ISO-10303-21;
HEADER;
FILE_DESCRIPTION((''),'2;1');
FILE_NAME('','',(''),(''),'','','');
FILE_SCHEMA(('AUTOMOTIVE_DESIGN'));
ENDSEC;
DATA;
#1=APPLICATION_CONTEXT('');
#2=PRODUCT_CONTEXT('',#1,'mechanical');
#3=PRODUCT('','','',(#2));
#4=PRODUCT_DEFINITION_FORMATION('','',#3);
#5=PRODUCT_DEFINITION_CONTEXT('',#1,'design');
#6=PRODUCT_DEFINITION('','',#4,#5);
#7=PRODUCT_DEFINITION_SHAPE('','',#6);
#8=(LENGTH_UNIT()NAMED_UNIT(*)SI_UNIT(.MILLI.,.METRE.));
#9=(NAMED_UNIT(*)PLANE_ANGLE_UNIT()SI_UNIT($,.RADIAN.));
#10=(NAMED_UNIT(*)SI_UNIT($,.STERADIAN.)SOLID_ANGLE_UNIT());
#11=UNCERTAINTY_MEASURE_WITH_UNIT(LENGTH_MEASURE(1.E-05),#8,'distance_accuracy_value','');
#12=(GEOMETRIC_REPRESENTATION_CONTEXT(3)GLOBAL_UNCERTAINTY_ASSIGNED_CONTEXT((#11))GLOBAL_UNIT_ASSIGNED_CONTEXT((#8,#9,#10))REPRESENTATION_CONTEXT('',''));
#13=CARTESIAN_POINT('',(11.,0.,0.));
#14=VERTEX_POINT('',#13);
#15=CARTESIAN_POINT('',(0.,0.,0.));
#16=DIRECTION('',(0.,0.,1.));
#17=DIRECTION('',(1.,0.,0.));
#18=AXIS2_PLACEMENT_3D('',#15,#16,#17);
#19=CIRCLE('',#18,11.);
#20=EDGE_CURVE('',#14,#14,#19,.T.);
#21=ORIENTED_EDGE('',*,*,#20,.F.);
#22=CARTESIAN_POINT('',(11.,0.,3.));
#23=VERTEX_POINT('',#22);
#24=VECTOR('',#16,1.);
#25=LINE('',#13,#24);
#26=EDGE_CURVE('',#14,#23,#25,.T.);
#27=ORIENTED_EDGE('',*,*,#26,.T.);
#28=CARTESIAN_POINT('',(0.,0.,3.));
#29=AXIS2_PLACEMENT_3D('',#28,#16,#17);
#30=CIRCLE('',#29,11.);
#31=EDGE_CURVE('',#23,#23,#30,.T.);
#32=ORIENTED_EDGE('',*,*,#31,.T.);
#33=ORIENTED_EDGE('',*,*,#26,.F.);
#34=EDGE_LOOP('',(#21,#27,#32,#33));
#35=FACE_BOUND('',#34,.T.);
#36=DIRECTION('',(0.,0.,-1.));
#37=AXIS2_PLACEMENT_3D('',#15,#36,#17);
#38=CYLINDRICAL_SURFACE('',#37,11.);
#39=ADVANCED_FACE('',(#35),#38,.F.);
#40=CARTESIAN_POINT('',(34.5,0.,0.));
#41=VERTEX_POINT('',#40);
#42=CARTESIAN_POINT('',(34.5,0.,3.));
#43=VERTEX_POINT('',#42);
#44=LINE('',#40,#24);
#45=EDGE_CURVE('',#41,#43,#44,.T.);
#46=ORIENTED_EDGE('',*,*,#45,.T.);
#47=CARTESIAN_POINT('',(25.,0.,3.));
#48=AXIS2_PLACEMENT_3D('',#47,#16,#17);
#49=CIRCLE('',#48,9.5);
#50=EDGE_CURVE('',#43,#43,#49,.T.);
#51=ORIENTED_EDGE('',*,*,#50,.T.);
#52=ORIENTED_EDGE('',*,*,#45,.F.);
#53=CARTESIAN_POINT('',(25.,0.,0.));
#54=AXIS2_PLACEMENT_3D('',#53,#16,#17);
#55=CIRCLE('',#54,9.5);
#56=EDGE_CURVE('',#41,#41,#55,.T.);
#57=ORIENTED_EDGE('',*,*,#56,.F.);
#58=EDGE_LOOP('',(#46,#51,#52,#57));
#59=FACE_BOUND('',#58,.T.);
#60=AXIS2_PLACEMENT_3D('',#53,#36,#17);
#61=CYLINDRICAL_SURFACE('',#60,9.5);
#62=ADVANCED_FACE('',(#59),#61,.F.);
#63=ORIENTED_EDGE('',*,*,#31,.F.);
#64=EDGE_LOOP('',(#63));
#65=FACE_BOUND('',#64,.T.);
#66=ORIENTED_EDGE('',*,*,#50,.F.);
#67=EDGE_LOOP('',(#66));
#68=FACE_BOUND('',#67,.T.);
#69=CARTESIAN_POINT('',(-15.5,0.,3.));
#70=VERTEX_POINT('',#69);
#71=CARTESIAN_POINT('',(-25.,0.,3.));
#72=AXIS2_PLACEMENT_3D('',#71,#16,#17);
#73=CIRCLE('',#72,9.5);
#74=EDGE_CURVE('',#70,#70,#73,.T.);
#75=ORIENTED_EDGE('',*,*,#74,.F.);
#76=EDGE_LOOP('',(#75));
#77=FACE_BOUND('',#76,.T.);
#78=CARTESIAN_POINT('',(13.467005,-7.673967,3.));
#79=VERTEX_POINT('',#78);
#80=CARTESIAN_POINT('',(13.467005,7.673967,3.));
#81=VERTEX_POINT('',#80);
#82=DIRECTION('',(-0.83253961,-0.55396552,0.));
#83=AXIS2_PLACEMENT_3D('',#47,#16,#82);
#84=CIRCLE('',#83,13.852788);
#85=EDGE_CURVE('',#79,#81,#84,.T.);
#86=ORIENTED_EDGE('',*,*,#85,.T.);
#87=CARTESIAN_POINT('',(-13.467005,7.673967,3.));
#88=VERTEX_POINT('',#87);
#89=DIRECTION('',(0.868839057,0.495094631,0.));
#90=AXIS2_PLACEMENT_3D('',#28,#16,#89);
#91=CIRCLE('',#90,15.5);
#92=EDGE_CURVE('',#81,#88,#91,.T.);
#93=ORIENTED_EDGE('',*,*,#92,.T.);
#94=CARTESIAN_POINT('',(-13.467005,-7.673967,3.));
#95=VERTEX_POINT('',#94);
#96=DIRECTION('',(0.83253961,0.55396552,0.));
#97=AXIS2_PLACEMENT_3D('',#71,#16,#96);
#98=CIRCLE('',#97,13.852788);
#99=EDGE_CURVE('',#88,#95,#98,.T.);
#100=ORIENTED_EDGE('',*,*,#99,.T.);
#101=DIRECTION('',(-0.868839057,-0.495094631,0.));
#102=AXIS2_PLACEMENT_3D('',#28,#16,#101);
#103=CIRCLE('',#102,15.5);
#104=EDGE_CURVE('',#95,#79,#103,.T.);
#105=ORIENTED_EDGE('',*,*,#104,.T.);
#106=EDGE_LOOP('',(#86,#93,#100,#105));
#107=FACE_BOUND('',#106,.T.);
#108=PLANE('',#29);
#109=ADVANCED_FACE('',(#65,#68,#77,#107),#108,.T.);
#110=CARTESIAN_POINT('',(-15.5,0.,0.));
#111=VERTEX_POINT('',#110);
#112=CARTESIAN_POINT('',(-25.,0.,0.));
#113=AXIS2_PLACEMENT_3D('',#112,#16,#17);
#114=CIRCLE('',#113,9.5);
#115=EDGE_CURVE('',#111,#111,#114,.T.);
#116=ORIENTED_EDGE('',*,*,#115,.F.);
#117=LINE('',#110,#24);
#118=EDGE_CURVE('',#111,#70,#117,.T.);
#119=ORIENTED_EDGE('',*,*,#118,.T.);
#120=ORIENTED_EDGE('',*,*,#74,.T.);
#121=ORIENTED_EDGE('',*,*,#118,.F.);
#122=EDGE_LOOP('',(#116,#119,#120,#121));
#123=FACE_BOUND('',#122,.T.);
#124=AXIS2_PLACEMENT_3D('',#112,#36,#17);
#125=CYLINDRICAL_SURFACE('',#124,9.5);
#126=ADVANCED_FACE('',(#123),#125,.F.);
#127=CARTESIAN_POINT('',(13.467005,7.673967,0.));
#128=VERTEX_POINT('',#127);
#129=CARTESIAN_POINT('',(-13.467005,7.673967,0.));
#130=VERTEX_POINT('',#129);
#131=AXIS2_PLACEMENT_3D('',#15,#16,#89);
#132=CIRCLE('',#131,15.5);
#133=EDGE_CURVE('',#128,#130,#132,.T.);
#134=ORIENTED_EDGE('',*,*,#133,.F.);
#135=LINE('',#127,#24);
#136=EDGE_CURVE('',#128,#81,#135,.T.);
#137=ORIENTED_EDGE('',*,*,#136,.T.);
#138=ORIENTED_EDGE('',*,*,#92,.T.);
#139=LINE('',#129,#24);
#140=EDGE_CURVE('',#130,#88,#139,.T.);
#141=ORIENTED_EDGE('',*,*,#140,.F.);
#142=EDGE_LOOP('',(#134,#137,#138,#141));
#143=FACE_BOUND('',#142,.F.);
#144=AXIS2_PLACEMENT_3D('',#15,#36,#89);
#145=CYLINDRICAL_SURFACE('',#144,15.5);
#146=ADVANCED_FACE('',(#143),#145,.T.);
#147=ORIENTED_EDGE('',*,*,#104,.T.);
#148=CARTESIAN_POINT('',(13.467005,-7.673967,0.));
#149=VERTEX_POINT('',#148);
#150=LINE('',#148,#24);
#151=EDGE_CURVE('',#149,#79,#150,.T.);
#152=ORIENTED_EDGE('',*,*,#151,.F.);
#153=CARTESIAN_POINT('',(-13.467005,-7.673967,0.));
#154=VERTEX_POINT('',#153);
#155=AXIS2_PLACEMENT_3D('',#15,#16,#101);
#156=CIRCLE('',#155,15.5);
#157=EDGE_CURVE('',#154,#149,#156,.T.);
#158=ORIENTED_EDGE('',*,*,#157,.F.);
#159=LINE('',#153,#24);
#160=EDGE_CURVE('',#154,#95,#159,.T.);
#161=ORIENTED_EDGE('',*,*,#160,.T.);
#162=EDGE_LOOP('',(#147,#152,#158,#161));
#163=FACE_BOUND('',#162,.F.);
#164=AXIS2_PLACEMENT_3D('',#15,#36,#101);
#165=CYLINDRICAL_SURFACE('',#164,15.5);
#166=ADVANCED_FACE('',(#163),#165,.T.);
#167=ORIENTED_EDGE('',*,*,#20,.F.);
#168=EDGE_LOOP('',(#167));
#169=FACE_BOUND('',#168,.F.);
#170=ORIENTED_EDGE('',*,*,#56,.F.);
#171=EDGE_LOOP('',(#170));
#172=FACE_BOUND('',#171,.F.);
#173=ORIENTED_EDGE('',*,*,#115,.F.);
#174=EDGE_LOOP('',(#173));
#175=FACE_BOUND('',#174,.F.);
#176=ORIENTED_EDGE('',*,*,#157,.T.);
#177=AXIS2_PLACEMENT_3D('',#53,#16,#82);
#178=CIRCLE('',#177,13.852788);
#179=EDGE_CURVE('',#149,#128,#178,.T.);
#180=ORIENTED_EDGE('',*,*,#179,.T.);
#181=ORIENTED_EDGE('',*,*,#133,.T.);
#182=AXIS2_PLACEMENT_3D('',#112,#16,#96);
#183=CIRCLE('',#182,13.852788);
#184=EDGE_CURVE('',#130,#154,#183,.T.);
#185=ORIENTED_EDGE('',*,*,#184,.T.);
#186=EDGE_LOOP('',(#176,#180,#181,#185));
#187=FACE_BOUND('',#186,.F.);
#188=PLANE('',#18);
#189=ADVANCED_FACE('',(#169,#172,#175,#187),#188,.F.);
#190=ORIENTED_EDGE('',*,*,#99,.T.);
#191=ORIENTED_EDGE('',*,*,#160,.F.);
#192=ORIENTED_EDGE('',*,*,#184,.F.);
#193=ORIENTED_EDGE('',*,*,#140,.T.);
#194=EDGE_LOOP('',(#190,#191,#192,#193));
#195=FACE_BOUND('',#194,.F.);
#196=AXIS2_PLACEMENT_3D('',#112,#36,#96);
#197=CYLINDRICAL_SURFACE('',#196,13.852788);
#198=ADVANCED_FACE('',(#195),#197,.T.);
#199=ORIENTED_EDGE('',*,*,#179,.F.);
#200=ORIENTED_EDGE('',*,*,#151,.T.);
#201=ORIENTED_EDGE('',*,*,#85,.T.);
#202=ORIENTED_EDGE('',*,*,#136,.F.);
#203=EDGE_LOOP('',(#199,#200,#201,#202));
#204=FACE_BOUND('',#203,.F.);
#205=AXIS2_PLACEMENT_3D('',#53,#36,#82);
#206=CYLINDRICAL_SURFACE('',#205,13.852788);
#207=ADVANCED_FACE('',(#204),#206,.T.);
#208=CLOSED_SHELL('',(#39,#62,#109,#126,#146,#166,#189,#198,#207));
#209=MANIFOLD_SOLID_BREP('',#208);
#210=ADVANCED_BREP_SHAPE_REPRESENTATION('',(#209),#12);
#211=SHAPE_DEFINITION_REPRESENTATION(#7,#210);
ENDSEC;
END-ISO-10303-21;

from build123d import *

# Parameters (mm, degrees)
F0_R     = 9.5
F0_R_2   = 11
F1_DEPTH = 3


with BuildPart() as f1:
    # F0 (on Top) → F1 (new body)
    with BuildSketch(Plane.XY):
        with BuildLine():
            ThreePointArc((-13.467005, 7.673967), (-38.852788, 0), (-13.467005, -7.673967))
            ThreePointArc((-13.467005, -7.673967), (0, -15.5), (13.467005, -7.673967))
            ThreePointArc((13.467005, -7.673967), (38.852788, 0), (13.467005, 7.673967))
            ThreePointArc((13.467005, 7.673967), (0, 15.5), (-13.467005, 7.673967))
        make_face()
        with Locations((-25, 0)):
            Circle(F0_R, mode=Mode.SUBTRACT)
        Circle(F0_R_2, mode=Mode.SUBTRACT)
        with Locations((25, 0)):
            Circle(F0_R, mode=Mode.SUBTRACT)
    extrude(amount=F1_DEPTH)


solid = f1.part
